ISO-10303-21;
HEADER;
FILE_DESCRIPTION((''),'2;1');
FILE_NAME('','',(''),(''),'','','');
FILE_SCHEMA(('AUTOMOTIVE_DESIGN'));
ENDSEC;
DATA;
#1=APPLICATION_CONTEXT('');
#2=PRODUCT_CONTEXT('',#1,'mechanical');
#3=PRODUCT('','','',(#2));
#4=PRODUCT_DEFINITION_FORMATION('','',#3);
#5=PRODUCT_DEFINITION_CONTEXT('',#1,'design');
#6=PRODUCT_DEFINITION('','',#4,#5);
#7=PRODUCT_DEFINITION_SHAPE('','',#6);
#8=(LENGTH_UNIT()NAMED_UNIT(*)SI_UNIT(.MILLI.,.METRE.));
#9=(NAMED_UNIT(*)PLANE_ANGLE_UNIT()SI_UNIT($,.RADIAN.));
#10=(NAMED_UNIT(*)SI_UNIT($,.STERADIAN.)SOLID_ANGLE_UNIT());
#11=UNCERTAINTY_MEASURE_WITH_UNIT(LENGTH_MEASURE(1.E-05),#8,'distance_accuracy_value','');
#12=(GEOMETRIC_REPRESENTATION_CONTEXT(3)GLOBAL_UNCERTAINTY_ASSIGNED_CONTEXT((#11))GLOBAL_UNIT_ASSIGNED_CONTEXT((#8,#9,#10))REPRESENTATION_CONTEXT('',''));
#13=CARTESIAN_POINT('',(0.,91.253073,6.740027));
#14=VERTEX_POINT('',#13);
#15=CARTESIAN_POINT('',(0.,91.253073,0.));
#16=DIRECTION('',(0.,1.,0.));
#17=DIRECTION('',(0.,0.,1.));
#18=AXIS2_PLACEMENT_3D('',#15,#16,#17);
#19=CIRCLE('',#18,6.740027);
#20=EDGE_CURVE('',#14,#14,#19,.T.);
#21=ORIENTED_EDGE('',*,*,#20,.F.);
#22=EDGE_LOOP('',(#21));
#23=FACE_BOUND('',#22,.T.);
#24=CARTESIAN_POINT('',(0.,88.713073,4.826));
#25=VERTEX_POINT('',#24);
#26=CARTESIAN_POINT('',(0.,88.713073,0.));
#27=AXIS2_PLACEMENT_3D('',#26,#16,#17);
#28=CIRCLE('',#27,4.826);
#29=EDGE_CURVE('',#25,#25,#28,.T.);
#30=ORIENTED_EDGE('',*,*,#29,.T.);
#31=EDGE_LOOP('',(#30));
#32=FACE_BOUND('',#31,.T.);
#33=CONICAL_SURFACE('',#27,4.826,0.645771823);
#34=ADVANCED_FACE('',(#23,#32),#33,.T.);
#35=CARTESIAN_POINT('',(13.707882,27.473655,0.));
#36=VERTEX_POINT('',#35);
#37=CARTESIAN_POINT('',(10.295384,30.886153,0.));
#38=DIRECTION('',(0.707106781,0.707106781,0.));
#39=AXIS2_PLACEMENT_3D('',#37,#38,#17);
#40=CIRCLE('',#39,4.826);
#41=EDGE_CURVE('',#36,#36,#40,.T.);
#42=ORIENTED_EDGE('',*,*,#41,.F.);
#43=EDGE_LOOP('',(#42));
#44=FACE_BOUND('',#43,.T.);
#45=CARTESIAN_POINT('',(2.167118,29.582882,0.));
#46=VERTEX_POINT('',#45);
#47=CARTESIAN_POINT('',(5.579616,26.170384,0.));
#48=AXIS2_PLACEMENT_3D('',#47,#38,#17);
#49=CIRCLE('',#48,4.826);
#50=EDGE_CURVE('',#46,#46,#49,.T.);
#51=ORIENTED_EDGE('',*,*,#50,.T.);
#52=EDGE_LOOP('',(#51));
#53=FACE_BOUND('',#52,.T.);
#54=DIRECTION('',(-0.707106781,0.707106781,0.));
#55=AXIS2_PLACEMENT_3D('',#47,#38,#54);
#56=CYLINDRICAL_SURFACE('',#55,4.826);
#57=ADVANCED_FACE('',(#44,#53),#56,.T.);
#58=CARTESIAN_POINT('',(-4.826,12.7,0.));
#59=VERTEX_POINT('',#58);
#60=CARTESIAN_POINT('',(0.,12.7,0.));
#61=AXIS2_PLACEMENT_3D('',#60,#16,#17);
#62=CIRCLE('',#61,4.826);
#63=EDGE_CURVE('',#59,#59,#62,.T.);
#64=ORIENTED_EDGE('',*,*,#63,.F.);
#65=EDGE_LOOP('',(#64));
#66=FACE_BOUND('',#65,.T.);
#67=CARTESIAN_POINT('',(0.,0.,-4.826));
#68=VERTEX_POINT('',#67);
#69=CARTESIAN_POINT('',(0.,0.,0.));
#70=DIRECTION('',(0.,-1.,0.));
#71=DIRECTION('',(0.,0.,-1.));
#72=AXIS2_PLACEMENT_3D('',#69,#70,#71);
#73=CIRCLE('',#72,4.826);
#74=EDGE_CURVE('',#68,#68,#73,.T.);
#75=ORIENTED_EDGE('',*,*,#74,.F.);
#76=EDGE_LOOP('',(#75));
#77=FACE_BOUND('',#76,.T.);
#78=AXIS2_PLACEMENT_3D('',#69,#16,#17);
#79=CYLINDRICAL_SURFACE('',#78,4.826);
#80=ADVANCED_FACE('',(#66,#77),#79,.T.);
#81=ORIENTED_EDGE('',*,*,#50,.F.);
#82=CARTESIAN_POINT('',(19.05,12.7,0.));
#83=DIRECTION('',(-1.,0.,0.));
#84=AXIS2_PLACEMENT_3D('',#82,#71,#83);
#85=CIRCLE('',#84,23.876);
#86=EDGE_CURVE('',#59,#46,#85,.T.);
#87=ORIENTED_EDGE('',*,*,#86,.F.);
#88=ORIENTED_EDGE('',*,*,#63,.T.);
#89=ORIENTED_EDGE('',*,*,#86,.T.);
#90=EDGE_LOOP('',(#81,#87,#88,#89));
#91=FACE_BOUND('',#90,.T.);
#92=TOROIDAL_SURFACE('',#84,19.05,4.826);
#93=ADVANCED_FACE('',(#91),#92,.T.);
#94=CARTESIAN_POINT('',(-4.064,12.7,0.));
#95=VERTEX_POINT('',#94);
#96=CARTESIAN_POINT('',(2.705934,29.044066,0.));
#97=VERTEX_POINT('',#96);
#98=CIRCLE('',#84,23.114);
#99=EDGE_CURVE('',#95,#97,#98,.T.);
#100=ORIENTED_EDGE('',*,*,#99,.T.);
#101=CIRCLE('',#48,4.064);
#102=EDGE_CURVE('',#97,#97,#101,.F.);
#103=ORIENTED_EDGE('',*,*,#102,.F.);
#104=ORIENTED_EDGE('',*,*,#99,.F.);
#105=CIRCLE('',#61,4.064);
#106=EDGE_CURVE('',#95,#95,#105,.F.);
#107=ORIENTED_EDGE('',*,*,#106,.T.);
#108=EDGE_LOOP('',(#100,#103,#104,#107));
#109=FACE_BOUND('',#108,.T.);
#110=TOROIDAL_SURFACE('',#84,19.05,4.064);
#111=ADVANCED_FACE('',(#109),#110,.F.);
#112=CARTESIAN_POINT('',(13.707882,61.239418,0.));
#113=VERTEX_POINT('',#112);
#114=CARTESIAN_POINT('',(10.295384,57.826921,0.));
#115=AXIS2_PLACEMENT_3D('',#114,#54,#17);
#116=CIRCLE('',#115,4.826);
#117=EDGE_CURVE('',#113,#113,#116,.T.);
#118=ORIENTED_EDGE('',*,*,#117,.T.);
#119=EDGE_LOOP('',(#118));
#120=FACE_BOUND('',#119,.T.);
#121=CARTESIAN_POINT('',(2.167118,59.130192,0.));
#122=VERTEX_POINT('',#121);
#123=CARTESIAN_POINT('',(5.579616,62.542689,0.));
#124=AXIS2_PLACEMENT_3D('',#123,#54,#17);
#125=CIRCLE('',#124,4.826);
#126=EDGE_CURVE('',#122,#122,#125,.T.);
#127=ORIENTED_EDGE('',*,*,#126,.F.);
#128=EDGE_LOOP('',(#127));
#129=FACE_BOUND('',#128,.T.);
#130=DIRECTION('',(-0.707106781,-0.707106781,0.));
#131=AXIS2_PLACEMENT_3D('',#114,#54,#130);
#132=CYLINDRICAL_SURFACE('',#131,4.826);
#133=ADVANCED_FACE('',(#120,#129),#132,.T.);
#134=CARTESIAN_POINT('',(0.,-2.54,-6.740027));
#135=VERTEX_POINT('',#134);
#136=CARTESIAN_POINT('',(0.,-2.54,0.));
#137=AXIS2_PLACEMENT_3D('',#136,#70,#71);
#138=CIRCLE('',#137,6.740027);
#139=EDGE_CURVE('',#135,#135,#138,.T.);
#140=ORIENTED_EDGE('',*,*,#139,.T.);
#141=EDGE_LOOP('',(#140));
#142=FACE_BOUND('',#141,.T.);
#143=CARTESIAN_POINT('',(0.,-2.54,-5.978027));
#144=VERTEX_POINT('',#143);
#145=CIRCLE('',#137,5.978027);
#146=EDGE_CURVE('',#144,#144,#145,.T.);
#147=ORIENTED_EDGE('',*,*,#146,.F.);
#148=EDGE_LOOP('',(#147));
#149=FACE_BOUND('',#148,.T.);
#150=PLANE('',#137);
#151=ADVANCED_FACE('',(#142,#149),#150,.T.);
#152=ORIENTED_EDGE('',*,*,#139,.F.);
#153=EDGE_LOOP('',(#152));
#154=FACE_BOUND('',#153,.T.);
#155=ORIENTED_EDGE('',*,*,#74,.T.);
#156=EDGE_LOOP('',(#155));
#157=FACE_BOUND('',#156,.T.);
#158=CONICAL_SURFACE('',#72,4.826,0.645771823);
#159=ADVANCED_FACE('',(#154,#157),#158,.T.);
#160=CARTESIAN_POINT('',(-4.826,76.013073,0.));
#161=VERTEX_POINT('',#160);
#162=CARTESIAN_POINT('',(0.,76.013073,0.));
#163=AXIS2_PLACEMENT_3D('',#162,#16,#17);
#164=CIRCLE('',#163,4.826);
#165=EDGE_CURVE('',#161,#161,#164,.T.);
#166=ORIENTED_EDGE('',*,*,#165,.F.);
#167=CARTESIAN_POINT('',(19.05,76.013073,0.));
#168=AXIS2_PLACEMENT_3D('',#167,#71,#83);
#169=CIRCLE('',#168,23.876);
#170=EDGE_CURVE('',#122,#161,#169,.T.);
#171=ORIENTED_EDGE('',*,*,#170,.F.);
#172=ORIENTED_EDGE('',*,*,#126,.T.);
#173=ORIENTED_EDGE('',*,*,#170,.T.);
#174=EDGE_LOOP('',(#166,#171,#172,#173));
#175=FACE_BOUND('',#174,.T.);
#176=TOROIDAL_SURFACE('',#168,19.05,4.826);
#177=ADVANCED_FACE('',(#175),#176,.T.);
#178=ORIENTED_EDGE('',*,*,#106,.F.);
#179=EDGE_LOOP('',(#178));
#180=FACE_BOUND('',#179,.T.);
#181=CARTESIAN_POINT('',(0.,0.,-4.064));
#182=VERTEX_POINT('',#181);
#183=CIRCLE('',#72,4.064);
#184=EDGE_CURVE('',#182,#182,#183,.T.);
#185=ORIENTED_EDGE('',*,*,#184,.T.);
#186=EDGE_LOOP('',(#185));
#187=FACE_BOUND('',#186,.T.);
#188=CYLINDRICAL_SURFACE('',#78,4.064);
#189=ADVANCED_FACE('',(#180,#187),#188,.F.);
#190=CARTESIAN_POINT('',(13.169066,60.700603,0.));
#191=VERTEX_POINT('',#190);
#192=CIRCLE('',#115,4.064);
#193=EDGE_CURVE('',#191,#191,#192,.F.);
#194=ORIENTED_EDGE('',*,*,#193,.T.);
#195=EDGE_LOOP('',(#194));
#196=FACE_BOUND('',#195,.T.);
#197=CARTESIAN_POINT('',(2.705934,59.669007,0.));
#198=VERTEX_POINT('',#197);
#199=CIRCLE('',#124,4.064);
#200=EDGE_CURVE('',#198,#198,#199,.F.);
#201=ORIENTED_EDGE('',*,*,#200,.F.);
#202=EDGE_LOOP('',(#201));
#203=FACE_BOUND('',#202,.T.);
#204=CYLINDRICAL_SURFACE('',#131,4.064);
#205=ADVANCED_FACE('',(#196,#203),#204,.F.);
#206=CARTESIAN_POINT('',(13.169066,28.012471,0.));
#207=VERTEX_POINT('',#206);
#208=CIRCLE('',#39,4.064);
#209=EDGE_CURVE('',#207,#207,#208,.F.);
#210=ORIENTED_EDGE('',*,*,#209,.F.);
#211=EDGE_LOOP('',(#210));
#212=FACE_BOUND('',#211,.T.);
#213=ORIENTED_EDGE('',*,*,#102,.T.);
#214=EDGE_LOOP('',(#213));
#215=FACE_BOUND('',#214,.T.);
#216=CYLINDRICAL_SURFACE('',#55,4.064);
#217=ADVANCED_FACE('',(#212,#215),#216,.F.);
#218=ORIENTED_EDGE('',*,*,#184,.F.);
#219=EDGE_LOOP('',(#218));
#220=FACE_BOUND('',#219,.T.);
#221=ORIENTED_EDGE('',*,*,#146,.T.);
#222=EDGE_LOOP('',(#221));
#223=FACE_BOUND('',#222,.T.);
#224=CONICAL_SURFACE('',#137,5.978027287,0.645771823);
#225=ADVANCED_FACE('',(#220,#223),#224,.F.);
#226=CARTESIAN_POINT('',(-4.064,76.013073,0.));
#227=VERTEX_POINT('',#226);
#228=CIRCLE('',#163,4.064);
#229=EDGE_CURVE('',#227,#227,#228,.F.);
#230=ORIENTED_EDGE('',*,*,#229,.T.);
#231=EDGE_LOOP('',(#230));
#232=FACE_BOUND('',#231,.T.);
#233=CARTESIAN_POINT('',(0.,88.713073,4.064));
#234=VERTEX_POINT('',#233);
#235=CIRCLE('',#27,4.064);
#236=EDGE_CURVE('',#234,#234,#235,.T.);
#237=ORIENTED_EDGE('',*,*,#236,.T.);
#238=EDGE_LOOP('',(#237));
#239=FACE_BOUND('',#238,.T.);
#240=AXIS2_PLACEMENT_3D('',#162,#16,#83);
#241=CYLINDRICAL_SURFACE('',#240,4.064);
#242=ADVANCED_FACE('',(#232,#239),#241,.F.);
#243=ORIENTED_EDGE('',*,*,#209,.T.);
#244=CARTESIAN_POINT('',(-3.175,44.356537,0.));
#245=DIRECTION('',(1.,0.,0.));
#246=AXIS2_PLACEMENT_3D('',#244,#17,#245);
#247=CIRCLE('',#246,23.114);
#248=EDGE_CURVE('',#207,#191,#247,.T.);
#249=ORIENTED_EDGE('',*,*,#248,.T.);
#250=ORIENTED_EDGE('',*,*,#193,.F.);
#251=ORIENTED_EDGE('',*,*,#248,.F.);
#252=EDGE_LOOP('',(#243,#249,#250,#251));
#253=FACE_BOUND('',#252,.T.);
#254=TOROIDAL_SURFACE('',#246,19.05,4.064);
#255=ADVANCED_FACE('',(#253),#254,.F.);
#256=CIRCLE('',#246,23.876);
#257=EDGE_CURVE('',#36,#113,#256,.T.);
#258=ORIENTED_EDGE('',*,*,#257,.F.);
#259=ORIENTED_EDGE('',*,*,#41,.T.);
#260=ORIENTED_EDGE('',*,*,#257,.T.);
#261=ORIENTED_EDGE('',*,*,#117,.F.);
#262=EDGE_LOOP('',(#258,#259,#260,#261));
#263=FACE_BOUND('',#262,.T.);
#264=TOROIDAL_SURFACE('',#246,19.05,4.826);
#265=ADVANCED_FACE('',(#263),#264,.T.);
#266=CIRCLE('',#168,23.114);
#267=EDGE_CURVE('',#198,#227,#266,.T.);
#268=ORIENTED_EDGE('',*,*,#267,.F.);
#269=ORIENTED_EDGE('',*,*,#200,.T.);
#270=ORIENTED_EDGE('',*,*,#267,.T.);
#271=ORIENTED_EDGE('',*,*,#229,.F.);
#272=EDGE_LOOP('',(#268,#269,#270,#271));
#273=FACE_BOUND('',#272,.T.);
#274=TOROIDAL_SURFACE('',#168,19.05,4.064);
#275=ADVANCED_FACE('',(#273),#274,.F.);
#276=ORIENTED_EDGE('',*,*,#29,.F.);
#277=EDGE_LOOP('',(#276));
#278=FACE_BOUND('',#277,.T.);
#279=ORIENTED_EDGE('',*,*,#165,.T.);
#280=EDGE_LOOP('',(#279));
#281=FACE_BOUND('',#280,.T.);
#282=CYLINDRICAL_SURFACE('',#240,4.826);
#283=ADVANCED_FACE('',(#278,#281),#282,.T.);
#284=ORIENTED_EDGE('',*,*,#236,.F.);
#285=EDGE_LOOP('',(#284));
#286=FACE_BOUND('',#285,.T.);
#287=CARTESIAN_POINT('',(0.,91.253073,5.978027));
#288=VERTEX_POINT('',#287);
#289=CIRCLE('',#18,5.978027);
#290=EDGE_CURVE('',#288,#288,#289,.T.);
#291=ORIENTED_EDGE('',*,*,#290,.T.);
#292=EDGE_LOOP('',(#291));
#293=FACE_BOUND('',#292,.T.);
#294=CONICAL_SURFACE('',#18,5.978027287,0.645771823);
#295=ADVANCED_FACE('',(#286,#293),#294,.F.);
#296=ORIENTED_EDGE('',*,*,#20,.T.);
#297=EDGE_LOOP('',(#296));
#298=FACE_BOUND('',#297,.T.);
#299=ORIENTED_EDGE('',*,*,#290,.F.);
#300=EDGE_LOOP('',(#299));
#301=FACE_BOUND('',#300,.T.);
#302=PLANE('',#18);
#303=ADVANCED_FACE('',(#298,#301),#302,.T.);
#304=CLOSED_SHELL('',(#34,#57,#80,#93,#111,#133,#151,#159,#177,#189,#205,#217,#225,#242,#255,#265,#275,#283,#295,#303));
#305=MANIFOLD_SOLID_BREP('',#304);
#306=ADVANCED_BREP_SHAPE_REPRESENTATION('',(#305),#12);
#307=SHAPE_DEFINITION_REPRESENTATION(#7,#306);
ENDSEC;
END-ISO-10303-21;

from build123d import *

# Parameters (mm, degrees)
SKETCH1_R           = 4.826
SKETCH1_R_2         = 4.064
SKETCH3_R           = 4.826
BOSS_EXTRUDE1_DEPTH = 2.54
BOSS_EXTRUDE1_DRAFT = -37
SKETCH5_R           = 4.826
BOSS_EXTRUDE2_DEPTH = 2.54
BOSS_EXTRUDE2_DRAFT = -37


with BuildPart() as part:
    # Sweep1: sweep along a path in Sketch2
    with BuildLine(Plane.XY) as sweep1_path:
        Line((0, 0), (0, 12.7))
        ThreePointArc((0, 12.7), (1.450094906, 19.990119387), (5.579615818, 26.170384182))
        Line((5.579615818, 26.170384182), (10.295384182, 30.886152545))
        ThreePointArc((10.295384182, 30.886152545), (15.875, 44.356536726), (10.295384182, 57.826920908))
        Line((10.295384182, 57.826920908), (5.579615818, 62.542689271))
        ThreePointArc((5.579615818, 62.542689271), (1.450094906, 68.722954066), (0, 76.013073453))
        Line((0, 76.013073453), (0, 88.713073453))
    # Sketch1 → Sweep1 (sweep)
    with BuildSketch(Plane(origin=(0, 0, 0), x_dir=(1, 0, 0), z_dir=(0, 1, 0))):
        Circle(SKETCH1_R)
        Circle(SKETCH1_R_2, mode=Mode.SUBTRACT)
    sweep(path=sweep1_path.line)


with BuildPart() as boss_extrude1_tool:
    # Sketch3 → Boss-Extrude1 (with draft: the straight prism first)
    with BuildSketch(Plane.XZ):
        with Locations(Location((0, 0, 0), (0, 0, 180))):
            Circle(SKETCH3_R)
    extrude(amount=BOSS_EXTRUDE1_DEPTH)
    # Boss-Extrude1: the draft: its side faces are tilted about the plane it starts from
    boss_extrude1_sides = [boss_extrude1_tool.faces().sort_by_distance(p)[0] for p in [
        (4.826, -1.27, 0),
    ]]
    draft(boss_extrude1_sides, Plane.XZ, BOSS_EXTRUDE1_DRAFT)


with BuildPart() as part_1:
    add(part.part)

    # Boss-Extrude1: add boss_extrude1_tool
    add(boss_extrude1_tool.part)

    # Cut-Extrude1 cone 1 section (through the dimple's axis) → Cut-Extrude1 (revolve, cut)
    with BuildSketch(Plane(origin=(0, -2.54, 0), x_dir=(0, 0, -1), z_dir=(1, 0, 0))):
        Polygon((0, 0), (5.978027287, 0), (0, 7.933110155), align=None)
    revolve(axis=Axis((0, -2.54, 0), (0, 1, 0)), mode=Mode.SUBTRACT)


with BuildPart() as boss_extrude2_tool:
    # Sketch5 → Boss-Extrude2 (with draft: the straight prism first)
    with BuildSketch(Plane(origin=(0, 88.713073453, 0), x_dir=(0, 0, -1), z_dir=(0, 1, 0))):
        with Locations(Location((0, 0, 0), (0, 0, 90))):
            Circle(SKETCH5_R)
    extrude(amount=BOSS_EXTRUDE2_DEPTH)
    # Boss-Extrude2: the draft: its side faces are tilted about the plane it starts from
    boss_extrude2_sides = [boss_extrude2_tool.faces().sort_by_distance(p)[0] for p in [
        (4.826, 89.983073453, 0),
    ]]
    draft(boss_extrude2_sides, Plane(origin=(0, 88.713073453, 0), x_dir=(0, 0, -1), z_dir=(0, 1, 0)), BOSS_EXTRUDE2_DRAFT)


with BuildPart() as part_2:
    add(part_1.part)

    # Boss-Extrude2: add boss_extrude2_tool
    add(boss_extrude2_tool.part)

    # Cut-Extrude2 cone 1 section (through the dimple's axis) → Cut-Extrude2 (revolve, cut)
    with BuildSketch(Plane(origin=(0, 91.253073453, 0), x_dir=(0, 0, 1), z_dir=(1, 0, 0))):
        Polygon((0, 0), (5.978027287, 0), (0, 7.933110155), align=None)
    revolve(axis=Axis((0, 91.253073453, 0), (0, -1, 0)), mode=Mode.SUBTRACT)


solid = part_2.part
